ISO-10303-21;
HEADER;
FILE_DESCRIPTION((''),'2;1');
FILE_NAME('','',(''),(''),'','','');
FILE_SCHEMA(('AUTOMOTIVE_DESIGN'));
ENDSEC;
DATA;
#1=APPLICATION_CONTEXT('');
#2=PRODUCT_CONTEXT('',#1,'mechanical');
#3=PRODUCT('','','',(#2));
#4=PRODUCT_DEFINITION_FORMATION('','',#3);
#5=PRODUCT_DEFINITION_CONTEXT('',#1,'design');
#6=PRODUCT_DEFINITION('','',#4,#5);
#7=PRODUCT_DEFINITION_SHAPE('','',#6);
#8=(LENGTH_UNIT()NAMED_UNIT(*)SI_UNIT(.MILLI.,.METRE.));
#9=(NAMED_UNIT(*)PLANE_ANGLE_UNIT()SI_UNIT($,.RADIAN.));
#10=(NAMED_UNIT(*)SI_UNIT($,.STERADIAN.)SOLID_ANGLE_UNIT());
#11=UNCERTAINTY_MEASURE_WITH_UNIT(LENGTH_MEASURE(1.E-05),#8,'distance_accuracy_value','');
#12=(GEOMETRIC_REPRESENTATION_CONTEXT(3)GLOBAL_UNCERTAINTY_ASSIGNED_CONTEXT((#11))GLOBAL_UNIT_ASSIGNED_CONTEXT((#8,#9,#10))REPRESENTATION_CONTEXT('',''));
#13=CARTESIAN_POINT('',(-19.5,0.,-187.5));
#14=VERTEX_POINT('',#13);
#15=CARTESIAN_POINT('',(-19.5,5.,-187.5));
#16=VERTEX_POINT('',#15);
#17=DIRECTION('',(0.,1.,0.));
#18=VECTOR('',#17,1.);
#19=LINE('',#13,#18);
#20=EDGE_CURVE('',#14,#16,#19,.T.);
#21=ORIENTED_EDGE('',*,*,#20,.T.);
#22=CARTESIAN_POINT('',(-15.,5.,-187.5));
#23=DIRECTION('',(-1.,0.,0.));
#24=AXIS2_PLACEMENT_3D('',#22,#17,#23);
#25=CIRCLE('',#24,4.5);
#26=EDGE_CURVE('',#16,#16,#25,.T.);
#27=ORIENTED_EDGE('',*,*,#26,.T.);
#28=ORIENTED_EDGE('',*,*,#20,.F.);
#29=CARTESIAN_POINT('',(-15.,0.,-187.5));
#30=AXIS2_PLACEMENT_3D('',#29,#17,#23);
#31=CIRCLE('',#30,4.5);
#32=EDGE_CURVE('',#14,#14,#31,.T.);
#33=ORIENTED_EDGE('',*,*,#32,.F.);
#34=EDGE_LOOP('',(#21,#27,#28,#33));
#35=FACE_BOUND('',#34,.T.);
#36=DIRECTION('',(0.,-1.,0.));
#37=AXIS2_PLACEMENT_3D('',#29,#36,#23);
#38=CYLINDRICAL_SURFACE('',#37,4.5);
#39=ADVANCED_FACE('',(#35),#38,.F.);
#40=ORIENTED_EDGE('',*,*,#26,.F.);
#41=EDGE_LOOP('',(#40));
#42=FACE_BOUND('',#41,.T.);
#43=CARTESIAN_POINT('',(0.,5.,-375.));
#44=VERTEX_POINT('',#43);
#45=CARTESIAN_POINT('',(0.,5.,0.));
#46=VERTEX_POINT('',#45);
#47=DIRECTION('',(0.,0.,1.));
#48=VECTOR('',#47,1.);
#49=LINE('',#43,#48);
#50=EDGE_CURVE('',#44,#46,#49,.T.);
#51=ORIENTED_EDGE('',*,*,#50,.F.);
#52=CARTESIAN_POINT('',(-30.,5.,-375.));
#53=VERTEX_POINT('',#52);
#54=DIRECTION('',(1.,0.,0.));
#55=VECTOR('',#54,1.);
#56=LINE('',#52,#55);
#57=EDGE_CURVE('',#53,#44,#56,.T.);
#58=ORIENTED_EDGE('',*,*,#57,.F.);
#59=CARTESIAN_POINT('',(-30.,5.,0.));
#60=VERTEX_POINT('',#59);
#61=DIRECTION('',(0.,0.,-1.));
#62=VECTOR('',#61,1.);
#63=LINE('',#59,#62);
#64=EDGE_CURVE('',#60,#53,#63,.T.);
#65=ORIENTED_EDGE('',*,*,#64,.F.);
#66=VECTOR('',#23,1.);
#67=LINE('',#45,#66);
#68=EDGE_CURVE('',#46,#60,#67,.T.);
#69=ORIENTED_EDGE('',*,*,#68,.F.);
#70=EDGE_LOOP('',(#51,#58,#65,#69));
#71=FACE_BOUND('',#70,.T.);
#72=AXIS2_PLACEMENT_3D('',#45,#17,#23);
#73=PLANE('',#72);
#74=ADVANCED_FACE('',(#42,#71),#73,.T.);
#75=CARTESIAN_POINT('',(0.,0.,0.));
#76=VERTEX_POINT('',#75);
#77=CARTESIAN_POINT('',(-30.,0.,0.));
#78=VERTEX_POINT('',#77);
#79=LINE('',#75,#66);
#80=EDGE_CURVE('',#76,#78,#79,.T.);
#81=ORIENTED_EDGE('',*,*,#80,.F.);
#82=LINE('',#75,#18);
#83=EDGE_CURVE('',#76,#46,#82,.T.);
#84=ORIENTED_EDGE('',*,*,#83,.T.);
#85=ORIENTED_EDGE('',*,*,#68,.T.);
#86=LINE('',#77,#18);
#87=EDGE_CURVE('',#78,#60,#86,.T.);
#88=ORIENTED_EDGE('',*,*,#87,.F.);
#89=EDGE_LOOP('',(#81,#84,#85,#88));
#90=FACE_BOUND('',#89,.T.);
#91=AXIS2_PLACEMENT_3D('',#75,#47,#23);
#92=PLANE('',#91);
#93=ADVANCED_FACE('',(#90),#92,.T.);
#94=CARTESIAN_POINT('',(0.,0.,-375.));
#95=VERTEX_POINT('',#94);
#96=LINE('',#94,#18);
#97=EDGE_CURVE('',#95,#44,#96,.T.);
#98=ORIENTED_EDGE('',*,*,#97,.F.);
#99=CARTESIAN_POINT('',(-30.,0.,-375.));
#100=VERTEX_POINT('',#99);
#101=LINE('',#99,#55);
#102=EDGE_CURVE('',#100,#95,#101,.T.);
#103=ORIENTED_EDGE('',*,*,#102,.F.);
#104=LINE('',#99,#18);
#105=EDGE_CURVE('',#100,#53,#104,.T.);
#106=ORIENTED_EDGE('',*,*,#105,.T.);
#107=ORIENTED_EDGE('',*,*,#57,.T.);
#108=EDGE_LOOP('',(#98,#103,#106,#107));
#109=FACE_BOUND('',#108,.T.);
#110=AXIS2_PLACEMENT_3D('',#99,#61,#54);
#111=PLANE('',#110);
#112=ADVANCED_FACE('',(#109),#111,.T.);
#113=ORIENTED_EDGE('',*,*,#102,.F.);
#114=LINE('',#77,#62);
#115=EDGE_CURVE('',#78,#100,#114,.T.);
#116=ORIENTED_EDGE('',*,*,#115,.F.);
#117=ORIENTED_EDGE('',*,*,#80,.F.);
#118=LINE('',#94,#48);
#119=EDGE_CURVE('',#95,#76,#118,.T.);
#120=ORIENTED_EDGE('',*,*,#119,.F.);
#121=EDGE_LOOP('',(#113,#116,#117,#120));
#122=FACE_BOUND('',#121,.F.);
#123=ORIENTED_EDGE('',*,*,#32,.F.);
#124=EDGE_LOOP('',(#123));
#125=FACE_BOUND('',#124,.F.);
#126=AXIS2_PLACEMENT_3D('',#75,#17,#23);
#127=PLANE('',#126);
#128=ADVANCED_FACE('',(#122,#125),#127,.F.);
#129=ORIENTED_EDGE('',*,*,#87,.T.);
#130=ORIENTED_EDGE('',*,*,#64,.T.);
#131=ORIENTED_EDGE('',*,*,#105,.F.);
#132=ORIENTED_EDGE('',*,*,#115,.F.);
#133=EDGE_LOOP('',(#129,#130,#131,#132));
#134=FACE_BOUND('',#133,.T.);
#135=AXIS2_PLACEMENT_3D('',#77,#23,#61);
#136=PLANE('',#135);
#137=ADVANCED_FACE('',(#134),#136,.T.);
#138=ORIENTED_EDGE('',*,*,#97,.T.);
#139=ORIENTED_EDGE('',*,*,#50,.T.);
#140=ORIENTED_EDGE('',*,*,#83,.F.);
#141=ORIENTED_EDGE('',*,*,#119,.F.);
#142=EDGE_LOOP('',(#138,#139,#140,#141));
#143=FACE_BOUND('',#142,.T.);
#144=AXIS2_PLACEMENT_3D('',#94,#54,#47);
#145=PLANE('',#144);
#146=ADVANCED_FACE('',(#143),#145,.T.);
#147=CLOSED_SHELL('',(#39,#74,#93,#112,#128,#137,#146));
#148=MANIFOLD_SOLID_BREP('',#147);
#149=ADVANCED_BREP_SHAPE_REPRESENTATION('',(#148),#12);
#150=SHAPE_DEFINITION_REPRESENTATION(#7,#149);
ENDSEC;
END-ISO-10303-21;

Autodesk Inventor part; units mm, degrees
ref_plane "YZ Plane" through (0, 0, 0) normal (1, 0, 0) x (0, 1, 0)
ref_plane "XZ Plane" through (0, 0, 0) normal (0, 1, 0) x (-1, 0, 0)
ref_plane "XY Plane" through (0, 0, 0) normal (0, 0, 1) x (1, 0, 0)
sketch "Boceto1" plane through (0, 0, 0) normal (0, 1, 0) x (-1, 0, 0)
  line L0 (0, 0) -> (30, 0)
  line L1 (30, 0) -> (30, -375)
  line L2 (30, -375) -> (0, -375)
  line L3 (0, -375) -> (0, 0)
  circle A0 centre (15, -187.5) radius 4.5
  dimension "d0" = 375
  dimension "d1" = 30
  dimension "d4" = 9
  dimension "d5" = 15
  dimension "d6" = 187.5
extrude "Extrusión2" add sketch "Boceto1" along normal blind 5
properties part number "Base.pin.Seg" material "Acrílico, claro"
